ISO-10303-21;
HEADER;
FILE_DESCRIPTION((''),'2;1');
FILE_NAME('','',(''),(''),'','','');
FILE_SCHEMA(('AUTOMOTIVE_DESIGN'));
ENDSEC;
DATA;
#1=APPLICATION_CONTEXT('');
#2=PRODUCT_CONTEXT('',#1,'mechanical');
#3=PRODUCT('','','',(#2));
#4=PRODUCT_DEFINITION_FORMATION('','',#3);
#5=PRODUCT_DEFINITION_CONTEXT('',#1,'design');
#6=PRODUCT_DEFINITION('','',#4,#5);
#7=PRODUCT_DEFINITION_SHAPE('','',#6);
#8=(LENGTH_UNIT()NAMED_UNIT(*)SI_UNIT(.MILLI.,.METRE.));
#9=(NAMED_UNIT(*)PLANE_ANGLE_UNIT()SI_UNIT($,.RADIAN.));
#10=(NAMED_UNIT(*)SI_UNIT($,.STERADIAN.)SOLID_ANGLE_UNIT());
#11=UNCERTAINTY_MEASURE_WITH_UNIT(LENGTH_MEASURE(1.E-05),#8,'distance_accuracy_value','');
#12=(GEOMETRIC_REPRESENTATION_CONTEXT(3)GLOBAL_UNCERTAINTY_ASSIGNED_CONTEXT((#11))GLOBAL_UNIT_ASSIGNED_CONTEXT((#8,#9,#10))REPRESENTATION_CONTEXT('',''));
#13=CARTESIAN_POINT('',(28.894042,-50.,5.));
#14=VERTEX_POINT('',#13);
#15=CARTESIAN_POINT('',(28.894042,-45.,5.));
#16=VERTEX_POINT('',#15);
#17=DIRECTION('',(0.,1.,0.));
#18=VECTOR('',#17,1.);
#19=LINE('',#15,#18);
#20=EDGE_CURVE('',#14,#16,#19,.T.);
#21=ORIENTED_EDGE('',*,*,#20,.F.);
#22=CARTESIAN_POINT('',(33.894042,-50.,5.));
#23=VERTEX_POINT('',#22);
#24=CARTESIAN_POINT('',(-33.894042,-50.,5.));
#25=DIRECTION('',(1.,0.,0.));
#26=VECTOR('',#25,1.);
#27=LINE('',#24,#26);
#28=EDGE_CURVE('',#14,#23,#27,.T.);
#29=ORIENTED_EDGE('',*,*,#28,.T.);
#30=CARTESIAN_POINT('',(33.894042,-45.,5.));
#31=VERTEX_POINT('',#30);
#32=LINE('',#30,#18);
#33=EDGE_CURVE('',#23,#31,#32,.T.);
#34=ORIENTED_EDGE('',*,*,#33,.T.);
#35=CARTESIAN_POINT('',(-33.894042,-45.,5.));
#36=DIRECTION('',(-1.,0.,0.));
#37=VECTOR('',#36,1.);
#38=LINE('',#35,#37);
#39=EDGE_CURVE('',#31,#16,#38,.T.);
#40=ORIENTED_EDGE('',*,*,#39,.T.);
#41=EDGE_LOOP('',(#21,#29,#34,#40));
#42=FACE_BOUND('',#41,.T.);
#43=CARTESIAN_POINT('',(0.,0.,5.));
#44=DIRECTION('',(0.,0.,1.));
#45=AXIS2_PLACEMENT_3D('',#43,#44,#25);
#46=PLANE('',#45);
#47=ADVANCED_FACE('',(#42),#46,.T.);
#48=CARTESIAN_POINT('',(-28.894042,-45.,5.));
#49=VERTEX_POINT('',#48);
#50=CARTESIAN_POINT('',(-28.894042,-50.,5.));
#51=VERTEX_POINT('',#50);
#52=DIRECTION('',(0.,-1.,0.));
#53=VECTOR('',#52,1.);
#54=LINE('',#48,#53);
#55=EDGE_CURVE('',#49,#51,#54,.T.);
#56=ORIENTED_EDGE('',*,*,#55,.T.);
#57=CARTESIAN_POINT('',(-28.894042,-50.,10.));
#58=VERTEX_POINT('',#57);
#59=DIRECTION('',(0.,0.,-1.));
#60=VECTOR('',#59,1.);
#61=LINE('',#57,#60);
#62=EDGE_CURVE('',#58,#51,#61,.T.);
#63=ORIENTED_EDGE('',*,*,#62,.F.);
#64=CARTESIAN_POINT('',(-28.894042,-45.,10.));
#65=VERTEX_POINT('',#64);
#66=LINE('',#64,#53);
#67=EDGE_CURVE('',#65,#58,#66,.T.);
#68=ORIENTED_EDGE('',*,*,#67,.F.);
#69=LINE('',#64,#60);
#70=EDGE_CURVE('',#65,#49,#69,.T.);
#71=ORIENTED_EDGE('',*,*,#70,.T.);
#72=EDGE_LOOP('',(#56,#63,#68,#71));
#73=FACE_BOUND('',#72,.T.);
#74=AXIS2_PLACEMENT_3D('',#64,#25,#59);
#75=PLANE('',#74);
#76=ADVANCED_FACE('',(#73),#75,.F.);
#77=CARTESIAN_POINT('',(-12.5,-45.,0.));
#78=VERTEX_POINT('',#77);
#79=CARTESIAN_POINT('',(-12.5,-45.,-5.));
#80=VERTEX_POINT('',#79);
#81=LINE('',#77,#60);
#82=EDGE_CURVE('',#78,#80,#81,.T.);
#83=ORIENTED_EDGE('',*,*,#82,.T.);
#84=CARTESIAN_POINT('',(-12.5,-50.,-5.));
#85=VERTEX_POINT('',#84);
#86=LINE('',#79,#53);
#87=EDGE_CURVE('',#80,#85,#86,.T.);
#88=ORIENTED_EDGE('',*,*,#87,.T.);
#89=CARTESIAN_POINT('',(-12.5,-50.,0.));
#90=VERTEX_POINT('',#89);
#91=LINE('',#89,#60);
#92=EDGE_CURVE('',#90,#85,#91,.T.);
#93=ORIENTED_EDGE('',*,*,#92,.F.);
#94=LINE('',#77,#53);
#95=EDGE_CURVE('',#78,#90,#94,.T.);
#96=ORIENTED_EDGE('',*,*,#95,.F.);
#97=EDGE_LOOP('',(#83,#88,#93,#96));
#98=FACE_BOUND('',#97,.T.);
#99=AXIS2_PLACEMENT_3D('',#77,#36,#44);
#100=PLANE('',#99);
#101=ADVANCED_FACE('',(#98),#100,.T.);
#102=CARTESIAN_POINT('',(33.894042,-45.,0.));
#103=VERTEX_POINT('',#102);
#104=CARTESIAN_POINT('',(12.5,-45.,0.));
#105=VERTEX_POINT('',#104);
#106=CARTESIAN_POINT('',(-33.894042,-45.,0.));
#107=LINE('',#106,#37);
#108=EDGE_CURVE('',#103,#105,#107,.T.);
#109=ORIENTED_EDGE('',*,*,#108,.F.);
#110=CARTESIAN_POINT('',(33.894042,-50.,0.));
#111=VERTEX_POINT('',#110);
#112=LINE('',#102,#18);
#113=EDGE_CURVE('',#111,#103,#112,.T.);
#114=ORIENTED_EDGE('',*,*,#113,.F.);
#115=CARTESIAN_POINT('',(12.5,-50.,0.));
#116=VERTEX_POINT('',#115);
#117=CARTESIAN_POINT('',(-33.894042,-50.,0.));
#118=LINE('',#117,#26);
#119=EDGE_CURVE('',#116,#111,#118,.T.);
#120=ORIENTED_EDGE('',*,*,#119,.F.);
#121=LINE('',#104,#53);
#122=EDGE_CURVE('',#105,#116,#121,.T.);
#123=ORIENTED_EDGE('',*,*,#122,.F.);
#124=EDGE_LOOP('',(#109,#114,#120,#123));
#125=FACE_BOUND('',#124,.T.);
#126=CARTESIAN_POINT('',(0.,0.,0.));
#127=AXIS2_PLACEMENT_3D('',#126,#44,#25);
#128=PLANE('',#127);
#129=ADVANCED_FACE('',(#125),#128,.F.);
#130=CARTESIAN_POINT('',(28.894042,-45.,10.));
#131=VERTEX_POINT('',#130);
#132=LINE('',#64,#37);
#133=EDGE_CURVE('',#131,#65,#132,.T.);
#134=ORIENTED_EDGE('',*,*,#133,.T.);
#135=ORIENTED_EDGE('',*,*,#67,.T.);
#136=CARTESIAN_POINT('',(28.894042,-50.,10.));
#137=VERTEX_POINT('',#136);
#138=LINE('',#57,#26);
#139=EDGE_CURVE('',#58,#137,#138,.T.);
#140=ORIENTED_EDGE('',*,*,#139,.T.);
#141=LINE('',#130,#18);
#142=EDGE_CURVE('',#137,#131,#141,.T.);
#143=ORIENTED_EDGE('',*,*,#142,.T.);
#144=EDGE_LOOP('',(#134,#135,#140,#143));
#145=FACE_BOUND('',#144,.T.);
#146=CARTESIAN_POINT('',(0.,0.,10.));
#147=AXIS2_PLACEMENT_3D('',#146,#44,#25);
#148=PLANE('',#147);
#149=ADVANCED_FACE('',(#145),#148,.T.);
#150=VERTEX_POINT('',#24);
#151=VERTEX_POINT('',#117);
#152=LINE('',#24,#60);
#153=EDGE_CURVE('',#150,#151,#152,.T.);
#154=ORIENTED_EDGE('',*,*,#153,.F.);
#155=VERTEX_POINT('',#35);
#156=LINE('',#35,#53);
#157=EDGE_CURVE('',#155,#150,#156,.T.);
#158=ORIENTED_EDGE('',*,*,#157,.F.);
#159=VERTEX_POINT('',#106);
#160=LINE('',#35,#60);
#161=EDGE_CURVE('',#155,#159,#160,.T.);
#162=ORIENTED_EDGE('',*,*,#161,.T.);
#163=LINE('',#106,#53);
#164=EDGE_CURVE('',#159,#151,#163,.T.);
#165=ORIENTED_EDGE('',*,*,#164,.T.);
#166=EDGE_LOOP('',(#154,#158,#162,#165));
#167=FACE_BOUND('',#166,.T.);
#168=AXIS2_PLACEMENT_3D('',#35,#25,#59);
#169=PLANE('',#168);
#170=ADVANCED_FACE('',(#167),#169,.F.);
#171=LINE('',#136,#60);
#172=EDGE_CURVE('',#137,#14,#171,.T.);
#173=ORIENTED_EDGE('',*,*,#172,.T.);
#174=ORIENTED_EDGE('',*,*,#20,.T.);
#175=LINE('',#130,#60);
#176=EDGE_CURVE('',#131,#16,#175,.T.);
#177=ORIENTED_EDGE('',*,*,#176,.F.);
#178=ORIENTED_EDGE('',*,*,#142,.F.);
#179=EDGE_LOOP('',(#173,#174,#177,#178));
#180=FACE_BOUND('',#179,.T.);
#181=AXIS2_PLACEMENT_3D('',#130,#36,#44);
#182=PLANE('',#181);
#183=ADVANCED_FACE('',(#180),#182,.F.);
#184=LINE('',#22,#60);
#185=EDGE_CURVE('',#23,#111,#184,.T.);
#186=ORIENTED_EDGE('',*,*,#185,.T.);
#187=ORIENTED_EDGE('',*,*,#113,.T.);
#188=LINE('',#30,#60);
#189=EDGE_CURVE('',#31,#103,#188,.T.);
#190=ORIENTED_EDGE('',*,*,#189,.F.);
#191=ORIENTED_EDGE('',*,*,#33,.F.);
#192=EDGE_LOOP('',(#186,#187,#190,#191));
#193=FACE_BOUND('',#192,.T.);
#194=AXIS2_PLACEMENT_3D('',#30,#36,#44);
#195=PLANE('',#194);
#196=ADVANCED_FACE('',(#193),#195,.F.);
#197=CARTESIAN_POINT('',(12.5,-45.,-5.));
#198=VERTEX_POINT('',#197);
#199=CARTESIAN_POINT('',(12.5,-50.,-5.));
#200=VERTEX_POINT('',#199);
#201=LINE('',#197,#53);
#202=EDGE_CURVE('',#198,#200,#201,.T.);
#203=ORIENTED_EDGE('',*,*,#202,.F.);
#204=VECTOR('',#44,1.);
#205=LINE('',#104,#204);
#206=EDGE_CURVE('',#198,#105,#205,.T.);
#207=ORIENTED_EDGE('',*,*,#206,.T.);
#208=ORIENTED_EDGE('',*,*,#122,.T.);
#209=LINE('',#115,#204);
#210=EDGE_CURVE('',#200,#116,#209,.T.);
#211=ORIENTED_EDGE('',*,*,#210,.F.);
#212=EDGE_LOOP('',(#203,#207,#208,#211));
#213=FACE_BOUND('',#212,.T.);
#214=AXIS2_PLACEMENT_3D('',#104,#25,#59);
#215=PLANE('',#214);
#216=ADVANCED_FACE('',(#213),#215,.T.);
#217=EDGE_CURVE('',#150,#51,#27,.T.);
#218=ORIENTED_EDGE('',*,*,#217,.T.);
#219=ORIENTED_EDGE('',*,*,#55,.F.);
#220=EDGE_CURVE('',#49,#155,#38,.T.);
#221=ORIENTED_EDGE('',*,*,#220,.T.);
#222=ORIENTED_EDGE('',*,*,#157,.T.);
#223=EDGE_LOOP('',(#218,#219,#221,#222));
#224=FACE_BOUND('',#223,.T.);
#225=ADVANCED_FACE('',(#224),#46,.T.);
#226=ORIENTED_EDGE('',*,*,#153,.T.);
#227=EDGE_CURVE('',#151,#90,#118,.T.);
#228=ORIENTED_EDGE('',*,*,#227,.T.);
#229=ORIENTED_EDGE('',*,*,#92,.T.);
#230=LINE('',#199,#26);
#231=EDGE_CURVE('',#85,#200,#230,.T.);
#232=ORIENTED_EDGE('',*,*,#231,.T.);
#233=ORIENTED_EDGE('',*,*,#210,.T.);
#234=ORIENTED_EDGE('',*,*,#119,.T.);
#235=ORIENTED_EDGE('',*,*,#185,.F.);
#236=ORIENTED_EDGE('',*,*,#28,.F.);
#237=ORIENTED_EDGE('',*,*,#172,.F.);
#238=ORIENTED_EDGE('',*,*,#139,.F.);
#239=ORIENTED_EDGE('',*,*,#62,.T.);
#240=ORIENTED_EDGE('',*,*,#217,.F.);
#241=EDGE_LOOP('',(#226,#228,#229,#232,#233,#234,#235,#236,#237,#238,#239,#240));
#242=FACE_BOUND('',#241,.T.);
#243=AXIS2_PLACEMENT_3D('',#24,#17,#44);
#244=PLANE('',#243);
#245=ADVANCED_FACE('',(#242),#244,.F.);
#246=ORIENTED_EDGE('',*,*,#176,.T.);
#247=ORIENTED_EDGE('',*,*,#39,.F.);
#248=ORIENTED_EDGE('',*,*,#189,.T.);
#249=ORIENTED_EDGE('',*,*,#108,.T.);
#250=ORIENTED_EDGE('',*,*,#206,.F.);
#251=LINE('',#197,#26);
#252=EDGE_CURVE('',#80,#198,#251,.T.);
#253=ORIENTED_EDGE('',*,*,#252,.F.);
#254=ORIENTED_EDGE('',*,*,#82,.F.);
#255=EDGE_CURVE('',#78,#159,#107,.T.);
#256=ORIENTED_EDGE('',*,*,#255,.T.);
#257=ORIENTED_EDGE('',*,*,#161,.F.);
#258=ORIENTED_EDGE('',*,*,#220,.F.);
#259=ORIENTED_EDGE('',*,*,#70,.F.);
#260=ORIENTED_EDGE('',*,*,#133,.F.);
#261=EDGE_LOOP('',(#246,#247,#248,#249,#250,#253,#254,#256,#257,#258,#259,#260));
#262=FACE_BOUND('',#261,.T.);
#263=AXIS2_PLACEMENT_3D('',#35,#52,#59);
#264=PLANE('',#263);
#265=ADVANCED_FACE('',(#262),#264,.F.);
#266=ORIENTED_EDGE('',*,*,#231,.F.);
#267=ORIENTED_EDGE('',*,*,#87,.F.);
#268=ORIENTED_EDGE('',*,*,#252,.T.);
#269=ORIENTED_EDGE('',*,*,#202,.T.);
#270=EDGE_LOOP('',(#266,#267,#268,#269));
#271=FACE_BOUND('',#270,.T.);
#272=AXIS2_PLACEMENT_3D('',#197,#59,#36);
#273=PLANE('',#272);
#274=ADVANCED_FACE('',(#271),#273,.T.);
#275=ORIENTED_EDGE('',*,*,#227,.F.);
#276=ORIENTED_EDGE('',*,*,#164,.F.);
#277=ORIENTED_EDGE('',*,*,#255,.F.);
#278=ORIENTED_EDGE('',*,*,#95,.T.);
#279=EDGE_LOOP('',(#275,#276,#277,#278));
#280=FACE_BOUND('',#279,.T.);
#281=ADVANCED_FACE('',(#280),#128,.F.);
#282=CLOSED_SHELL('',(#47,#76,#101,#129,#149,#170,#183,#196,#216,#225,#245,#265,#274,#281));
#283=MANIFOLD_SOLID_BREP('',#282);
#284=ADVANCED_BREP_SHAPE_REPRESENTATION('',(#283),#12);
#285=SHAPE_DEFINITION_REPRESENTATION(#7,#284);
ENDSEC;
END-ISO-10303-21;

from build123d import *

# Parameters (mm, degrees)
SKETCH1_W           = 67.788084332
SKETCH1_H           = 5
BOSS_EXTRUDE1_DEPTH = 5
SKETCH2_W           = 57.788084332
SKETCH2_H           = 5
BOSS_EXTRUDE2_DEPTH = 5
SKETCH3_W           = 25
SKETCH3_H           = 5
BOSS_EXTRUDE3_DEPTH = 5


with BuildPart() as part:
    # Sketch1 → Boss-Extrude1 (new body)
    with BuildSketch(Plane.XY):
        with Locations((0, -47.5)):
            Rectangle(SKETCH1_W, SKETCH1_H)
    extrude(amount=BOSS_EXTRUDE1_DEPTH)

    # Sketch2 → Boss-Extrude2 (add)
    with BuildSketch(Plane.XY.offset(5)):
        with Locations((0, -47.5)):
            Rectangle(SKETCH2_W, SKETCH2_H)
    extrude(amount=BOSS_EXTRUDE2_DEPTH)

    # Sketch3 → Boss-Extrude3 (add)
    with BuildSketch(Plane.XZ.offset(50)):
        with Locations((0, -2.5)):
            Rectangle(SKETCH3_W, SKETCH3_H)
    extrude(amount=-BOSS_EXTRUDE3_DEPTH)


solid = part.part
